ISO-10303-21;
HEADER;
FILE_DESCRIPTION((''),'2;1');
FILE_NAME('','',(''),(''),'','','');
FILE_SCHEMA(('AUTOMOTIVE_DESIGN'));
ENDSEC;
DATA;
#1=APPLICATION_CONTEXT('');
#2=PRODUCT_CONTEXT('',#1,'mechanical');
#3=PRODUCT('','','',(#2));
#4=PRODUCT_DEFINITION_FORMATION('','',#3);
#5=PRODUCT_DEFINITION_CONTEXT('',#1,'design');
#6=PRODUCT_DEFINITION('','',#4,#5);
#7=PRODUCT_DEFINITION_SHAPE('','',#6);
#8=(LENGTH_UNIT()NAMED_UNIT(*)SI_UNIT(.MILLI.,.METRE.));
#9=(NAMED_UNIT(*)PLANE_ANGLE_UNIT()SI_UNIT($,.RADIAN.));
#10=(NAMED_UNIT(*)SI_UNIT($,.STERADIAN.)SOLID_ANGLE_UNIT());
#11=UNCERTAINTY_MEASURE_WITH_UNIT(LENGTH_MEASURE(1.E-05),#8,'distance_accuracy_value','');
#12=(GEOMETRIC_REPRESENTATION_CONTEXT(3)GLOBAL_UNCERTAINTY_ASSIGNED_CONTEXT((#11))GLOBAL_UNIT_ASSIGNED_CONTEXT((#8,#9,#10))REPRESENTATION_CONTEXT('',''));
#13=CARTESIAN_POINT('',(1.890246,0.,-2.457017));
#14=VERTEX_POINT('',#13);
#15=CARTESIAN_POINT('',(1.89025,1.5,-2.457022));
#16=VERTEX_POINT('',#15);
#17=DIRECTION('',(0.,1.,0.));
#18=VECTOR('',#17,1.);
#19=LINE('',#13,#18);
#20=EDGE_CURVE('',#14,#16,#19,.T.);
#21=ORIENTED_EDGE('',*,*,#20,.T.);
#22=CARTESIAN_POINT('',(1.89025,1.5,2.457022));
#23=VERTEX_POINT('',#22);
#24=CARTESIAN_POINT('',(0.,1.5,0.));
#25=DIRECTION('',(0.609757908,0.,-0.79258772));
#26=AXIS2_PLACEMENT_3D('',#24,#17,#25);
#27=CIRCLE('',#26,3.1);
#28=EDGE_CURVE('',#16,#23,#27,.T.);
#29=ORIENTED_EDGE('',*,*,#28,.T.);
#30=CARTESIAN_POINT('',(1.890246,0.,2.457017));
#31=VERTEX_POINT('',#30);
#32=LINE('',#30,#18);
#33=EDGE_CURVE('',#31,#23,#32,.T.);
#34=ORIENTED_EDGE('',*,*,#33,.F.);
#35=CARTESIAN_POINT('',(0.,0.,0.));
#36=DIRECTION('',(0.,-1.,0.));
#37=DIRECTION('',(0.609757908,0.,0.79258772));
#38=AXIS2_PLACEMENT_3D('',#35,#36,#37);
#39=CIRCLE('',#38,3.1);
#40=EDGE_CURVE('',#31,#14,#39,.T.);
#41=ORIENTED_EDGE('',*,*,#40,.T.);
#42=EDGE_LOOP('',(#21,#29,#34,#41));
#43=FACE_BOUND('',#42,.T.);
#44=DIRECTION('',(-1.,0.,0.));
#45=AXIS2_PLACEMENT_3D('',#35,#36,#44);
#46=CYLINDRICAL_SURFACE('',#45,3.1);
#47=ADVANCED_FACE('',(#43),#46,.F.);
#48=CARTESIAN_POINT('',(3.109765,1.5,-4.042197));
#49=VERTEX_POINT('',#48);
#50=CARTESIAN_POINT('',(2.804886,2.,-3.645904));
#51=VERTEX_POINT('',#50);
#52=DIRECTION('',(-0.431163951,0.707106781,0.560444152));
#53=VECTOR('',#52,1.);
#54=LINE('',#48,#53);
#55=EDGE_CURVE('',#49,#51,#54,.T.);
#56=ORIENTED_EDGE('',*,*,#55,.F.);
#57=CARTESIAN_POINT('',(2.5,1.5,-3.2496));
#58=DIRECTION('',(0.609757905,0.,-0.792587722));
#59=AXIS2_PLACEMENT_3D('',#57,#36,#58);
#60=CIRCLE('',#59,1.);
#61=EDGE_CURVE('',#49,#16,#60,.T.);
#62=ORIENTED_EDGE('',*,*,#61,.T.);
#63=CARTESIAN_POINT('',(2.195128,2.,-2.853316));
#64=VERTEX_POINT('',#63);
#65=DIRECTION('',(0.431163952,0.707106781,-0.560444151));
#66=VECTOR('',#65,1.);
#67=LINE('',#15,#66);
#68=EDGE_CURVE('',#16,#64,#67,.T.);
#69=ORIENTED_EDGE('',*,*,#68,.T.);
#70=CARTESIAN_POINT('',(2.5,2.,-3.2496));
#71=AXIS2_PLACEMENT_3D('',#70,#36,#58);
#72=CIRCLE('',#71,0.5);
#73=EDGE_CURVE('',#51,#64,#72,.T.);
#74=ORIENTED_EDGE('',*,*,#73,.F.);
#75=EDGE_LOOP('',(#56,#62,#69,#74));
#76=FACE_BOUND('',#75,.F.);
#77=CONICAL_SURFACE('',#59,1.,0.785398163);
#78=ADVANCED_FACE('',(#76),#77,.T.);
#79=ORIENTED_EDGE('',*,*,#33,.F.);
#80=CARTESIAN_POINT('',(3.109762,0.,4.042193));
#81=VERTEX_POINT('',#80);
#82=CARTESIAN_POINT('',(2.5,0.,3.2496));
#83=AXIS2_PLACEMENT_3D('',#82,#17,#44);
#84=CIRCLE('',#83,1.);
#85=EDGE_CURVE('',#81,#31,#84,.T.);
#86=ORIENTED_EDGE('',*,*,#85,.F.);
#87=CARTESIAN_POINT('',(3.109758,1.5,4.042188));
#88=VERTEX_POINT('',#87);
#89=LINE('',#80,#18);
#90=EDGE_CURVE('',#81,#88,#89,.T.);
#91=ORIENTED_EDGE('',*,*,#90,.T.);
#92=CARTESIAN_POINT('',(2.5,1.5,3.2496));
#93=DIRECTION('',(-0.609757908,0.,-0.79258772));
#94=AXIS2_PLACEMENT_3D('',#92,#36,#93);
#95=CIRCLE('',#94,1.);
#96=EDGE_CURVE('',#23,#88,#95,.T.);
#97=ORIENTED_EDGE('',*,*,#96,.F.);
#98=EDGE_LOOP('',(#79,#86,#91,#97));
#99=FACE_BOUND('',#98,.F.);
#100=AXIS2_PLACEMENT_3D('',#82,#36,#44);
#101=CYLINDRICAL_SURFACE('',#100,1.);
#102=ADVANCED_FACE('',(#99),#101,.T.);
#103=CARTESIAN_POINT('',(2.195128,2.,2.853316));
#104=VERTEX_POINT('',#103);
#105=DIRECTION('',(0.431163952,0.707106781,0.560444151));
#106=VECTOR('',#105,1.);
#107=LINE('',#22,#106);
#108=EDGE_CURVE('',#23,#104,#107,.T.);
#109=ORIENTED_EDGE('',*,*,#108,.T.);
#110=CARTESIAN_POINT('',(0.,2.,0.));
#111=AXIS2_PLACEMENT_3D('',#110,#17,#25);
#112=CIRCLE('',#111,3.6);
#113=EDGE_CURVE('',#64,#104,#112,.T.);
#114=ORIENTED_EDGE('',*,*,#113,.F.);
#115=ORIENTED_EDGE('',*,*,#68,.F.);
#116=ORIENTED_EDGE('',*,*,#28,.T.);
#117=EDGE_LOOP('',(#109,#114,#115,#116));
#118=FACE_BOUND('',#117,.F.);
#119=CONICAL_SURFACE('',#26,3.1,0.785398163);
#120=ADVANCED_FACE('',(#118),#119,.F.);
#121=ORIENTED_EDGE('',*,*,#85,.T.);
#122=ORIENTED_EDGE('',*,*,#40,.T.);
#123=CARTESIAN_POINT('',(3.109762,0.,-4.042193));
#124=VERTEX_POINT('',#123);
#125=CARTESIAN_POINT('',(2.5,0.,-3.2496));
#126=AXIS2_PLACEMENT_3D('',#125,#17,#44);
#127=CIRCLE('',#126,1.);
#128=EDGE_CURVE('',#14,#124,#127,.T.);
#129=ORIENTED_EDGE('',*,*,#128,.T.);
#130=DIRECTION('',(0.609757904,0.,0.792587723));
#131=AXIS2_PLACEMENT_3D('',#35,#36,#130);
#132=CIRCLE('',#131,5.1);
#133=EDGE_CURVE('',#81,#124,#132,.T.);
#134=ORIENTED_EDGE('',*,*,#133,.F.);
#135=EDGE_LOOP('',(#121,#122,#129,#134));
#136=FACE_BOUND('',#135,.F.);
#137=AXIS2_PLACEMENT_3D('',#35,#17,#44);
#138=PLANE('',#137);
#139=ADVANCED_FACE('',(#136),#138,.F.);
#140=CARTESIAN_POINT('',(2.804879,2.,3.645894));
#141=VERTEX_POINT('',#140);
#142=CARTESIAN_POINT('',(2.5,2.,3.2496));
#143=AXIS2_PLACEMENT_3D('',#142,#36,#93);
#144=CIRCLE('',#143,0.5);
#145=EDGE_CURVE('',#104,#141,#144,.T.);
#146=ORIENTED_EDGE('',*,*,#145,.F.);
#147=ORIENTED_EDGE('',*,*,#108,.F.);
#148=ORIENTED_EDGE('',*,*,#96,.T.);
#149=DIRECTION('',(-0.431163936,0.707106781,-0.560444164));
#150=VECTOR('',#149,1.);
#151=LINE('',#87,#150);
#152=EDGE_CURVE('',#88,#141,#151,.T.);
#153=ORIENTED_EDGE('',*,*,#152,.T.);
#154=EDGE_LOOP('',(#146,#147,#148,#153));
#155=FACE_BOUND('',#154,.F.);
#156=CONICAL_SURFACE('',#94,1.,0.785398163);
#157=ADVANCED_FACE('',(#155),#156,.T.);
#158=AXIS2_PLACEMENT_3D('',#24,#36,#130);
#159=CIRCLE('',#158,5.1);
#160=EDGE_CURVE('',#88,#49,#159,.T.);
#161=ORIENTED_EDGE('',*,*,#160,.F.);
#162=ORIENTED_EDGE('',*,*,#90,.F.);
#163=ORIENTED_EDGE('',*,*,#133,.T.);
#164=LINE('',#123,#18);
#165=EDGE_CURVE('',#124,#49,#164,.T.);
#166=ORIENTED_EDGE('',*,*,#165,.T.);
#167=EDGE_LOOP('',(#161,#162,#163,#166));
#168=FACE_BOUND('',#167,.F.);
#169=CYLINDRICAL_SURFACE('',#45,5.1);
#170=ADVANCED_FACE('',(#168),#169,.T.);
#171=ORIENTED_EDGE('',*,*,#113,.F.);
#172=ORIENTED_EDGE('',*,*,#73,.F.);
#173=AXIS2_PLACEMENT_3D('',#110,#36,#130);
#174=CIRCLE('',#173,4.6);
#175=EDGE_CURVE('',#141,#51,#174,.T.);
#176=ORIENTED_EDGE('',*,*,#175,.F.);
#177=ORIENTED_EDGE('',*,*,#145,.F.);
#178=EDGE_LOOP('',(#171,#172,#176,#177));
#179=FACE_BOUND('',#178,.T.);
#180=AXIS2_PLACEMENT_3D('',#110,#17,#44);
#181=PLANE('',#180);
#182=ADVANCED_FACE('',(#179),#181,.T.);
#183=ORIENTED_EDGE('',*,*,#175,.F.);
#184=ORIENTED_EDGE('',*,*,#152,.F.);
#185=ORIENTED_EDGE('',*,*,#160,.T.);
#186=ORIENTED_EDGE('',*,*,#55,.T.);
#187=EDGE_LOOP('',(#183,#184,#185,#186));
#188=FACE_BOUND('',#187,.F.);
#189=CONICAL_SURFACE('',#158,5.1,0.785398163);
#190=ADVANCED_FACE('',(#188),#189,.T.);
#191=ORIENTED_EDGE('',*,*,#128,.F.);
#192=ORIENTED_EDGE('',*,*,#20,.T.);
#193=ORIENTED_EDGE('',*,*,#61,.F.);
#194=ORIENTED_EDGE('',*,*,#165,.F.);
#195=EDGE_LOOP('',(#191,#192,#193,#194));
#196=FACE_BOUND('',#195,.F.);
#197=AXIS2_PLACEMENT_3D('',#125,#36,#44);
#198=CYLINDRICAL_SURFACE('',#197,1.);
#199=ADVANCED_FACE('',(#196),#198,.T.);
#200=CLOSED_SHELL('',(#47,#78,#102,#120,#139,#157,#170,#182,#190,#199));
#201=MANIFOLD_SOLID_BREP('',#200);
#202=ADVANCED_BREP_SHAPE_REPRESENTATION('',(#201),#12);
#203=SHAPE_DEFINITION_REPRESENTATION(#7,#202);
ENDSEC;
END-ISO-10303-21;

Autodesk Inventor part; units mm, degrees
ref_plane "YZ Plane" through (0, 0, 0) normal (1, 0, 0) x (0, 1, 0)
ref_plane "XZ Plane" through (0, 0, 0) normal (0, 1, 0) x (-1, 0, 0)
ref_plane "XY Plane" through (0, 0, 0) normal (0, 0, 1) x (1, 0, 0)
sketch "Sketch1" plane through (0, 0, 0) normal (0, 1, 0) x (-1, 0, 0)
  circle A0 centre (0, 0) radius 3.1
  circle A1 centre (0, 0) radius 5.1
  circle A2 centre (-2.5, -3.2496) radius 1
  line L0 (0, 0) -> (-2.3308, 0) construction
  circle A3 centre (-2.5, 3.2496) radius 1
  point P0 (-1.8902, 2.457)
  point P1 (-1.8902, -2.457)
  point P2 (-3.1098, -4.0422)
  point P3 (-3.1098, 4.0422)
  dimension "d0" = 6.2
  dimension "d1" = 2
  dimension "d3" = 2.5
extrude "Extrusion1" add sketch "Sketch1" along normal blind 2 contours A0 A3 A1 A2 | A3 | A2 picked at (4.3816, -0.4163)
chamfer "Chamfer1" distance 0.5 angle 45 4 edges at (-3.1, 2, 0) (3.2926, 2, -2.6399) (-5.1, 2, 0) (3.2926, 2, 2.6399)
properties part number "C_clip"
